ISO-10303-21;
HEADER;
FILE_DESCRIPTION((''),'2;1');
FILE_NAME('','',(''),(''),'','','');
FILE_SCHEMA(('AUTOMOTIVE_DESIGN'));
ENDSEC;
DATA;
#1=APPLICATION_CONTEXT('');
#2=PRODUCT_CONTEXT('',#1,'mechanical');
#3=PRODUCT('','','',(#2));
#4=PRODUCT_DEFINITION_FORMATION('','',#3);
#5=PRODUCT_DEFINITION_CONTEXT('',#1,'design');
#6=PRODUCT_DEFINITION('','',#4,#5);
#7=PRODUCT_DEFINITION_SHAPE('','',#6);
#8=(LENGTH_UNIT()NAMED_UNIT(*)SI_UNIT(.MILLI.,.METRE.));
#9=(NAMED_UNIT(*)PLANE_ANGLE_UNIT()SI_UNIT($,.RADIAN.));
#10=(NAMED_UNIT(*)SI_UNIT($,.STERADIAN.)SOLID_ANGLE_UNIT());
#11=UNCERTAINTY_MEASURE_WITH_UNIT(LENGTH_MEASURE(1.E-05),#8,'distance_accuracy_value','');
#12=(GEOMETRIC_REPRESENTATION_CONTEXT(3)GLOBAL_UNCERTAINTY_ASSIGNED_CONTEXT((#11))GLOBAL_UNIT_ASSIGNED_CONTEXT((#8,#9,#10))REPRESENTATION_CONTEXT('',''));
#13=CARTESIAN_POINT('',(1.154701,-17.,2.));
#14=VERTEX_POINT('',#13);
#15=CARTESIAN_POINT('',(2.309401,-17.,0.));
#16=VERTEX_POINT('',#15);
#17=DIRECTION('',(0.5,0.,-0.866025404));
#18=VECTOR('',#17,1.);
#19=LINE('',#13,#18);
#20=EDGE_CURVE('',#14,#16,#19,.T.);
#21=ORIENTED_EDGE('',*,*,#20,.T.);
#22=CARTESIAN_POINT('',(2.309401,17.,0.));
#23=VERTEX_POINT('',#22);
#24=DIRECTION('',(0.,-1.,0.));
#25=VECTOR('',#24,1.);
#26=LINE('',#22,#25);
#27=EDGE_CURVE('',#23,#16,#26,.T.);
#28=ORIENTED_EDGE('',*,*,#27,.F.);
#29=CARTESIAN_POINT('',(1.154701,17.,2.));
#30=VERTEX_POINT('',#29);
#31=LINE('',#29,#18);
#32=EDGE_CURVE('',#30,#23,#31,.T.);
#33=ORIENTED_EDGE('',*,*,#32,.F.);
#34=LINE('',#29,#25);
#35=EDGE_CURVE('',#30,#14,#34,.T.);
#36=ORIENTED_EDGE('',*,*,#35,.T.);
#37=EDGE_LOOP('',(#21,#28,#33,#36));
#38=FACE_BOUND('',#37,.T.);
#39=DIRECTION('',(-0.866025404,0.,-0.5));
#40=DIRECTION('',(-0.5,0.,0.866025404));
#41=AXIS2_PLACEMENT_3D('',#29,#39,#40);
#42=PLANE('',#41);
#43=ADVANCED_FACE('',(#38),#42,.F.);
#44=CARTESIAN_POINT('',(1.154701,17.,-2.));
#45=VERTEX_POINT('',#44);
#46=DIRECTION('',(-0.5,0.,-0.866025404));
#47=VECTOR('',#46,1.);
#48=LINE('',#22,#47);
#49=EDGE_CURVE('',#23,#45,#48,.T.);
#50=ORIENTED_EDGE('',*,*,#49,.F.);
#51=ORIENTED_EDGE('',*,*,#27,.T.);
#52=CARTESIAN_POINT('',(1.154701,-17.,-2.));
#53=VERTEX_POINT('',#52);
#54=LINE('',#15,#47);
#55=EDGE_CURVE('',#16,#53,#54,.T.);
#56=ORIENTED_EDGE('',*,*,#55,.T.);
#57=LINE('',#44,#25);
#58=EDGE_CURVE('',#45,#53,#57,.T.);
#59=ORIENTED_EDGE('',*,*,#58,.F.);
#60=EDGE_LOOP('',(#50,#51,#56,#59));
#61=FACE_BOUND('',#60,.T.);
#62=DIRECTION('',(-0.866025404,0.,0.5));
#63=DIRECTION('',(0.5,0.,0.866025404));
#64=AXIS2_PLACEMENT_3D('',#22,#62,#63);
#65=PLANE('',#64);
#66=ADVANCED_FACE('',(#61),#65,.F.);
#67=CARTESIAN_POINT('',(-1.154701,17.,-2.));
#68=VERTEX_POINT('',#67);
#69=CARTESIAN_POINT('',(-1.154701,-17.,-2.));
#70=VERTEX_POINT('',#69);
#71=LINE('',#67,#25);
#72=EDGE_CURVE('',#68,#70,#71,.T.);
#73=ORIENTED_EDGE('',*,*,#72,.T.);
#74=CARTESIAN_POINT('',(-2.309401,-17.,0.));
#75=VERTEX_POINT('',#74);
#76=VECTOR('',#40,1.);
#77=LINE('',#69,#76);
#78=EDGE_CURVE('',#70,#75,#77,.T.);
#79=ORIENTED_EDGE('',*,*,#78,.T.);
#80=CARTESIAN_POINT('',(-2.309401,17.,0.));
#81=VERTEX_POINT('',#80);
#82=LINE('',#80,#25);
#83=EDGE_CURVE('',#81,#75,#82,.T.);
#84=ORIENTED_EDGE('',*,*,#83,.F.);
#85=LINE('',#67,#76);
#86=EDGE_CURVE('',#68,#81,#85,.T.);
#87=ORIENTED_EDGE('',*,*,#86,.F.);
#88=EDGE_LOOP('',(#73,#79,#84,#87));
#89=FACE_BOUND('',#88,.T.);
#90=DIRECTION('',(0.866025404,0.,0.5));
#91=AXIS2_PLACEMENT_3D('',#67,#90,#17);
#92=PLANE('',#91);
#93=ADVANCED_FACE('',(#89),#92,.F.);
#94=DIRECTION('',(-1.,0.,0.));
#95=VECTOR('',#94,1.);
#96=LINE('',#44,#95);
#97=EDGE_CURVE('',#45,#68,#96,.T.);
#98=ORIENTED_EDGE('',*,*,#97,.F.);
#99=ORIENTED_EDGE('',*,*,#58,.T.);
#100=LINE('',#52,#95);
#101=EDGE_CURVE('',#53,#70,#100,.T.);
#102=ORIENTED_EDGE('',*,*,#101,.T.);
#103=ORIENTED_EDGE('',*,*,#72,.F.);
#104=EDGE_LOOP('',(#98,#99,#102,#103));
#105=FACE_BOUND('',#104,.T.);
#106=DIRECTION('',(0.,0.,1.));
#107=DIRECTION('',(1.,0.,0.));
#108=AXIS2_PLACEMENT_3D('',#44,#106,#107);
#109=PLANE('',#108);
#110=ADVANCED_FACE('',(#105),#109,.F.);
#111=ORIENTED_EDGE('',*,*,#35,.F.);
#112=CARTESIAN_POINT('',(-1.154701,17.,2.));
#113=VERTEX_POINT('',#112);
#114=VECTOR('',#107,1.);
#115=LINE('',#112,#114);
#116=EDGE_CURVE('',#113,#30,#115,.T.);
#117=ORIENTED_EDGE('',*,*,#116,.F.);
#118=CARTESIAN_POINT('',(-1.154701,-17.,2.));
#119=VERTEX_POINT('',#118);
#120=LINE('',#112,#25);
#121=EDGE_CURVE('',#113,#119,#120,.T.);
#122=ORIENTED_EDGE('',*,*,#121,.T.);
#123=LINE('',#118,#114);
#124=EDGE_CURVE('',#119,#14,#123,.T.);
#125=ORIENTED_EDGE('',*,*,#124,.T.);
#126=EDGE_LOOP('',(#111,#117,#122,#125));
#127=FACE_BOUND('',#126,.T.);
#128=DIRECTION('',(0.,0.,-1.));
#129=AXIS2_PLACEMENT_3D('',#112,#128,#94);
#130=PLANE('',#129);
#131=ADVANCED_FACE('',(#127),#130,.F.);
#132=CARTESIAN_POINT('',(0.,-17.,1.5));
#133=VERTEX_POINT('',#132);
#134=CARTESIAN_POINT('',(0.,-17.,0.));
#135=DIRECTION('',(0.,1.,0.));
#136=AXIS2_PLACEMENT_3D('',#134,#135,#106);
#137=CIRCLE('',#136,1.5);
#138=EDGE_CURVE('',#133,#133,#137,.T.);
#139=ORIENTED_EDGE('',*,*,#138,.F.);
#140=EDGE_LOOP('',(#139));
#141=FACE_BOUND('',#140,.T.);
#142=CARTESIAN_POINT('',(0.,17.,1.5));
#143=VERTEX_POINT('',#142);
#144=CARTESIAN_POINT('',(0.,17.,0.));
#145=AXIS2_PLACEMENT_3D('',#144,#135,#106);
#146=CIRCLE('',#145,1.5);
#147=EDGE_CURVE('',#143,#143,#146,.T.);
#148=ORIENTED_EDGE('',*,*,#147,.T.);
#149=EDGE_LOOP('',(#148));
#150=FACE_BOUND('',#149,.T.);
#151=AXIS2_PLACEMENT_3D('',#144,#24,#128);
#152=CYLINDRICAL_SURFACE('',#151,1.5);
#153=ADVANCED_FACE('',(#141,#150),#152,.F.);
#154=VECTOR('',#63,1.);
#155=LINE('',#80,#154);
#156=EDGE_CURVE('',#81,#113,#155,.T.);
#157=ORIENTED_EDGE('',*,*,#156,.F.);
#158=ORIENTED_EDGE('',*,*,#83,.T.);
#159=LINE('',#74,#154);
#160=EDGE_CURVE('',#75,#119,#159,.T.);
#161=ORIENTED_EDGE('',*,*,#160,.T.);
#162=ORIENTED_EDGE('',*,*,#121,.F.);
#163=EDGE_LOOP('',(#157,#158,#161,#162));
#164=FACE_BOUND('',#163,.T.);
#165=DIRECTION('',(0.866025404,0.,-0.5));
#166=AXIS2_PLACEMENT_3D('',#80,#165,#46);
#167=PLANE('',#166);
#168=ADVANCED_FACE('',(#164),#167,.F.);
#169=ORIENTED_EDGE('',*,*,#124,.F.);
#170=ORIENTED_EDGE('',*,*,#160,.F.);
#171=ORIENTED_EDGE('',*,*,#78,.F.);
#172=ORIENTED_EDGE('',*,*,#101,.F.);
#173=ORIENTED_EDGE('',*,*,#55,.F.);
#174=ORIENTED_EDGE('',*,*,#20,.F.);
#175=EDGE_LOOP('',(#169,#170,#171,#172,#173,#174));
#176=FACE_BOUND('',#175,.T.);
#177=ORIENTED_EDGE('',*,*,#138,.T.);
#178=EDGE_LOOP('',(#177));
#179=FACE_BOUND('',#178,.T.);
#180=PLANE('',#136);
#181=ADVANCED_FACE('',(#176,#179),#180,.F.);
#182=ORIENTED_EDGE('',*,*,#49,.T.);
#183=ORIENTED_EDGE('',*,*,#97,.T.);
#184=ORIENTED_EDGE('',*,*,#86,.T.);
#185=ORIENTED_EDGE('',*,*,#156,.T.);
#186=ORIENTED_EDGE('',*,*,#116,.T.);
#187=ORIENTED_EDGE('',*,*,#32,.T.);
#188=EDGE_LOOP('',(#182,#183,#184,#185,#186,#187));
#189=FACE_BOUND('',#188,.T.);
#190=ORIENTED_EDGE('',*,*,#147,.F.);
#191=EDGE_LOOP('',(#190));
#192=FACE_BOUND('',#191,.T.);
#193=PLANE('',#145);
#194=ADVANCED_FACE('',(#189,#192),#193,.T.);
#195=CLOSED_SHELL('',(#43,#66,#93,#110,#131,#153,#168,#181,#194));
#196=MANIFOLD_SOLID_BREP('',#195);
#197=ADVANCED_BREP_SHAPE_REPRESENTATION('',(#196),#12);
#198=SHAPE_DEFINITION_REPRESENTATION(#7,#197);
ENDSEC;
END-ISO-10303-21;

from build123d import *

# Parameters (mm, degrees)
CROQUIS1_R              = 1.5
SALIENTE_EXTRUIR1_DEPTH = 17


with BuildPart() as part:
    # Croquis1 → Saliente-Extruir1 (new body, symmetric)
    with BuildSketch(Plane(origin=(0, 0, 0), x_dir=(1, 0, 0), z_dir=(0, 1, 0))):
        Polygon((1.154700538, 2), (-1.154700538, 2), (-2.309401077, 0), (-1.154700538, -2), (1.154700538, -2), (2.309401077, 0), align=None)
        Circle(CROQUIS1_R, mode=Mode.SUBTRACT)
    extrude(amount=SALIENTE_EXTRUIR1_DEPTH, both=True)


solid = part.part
